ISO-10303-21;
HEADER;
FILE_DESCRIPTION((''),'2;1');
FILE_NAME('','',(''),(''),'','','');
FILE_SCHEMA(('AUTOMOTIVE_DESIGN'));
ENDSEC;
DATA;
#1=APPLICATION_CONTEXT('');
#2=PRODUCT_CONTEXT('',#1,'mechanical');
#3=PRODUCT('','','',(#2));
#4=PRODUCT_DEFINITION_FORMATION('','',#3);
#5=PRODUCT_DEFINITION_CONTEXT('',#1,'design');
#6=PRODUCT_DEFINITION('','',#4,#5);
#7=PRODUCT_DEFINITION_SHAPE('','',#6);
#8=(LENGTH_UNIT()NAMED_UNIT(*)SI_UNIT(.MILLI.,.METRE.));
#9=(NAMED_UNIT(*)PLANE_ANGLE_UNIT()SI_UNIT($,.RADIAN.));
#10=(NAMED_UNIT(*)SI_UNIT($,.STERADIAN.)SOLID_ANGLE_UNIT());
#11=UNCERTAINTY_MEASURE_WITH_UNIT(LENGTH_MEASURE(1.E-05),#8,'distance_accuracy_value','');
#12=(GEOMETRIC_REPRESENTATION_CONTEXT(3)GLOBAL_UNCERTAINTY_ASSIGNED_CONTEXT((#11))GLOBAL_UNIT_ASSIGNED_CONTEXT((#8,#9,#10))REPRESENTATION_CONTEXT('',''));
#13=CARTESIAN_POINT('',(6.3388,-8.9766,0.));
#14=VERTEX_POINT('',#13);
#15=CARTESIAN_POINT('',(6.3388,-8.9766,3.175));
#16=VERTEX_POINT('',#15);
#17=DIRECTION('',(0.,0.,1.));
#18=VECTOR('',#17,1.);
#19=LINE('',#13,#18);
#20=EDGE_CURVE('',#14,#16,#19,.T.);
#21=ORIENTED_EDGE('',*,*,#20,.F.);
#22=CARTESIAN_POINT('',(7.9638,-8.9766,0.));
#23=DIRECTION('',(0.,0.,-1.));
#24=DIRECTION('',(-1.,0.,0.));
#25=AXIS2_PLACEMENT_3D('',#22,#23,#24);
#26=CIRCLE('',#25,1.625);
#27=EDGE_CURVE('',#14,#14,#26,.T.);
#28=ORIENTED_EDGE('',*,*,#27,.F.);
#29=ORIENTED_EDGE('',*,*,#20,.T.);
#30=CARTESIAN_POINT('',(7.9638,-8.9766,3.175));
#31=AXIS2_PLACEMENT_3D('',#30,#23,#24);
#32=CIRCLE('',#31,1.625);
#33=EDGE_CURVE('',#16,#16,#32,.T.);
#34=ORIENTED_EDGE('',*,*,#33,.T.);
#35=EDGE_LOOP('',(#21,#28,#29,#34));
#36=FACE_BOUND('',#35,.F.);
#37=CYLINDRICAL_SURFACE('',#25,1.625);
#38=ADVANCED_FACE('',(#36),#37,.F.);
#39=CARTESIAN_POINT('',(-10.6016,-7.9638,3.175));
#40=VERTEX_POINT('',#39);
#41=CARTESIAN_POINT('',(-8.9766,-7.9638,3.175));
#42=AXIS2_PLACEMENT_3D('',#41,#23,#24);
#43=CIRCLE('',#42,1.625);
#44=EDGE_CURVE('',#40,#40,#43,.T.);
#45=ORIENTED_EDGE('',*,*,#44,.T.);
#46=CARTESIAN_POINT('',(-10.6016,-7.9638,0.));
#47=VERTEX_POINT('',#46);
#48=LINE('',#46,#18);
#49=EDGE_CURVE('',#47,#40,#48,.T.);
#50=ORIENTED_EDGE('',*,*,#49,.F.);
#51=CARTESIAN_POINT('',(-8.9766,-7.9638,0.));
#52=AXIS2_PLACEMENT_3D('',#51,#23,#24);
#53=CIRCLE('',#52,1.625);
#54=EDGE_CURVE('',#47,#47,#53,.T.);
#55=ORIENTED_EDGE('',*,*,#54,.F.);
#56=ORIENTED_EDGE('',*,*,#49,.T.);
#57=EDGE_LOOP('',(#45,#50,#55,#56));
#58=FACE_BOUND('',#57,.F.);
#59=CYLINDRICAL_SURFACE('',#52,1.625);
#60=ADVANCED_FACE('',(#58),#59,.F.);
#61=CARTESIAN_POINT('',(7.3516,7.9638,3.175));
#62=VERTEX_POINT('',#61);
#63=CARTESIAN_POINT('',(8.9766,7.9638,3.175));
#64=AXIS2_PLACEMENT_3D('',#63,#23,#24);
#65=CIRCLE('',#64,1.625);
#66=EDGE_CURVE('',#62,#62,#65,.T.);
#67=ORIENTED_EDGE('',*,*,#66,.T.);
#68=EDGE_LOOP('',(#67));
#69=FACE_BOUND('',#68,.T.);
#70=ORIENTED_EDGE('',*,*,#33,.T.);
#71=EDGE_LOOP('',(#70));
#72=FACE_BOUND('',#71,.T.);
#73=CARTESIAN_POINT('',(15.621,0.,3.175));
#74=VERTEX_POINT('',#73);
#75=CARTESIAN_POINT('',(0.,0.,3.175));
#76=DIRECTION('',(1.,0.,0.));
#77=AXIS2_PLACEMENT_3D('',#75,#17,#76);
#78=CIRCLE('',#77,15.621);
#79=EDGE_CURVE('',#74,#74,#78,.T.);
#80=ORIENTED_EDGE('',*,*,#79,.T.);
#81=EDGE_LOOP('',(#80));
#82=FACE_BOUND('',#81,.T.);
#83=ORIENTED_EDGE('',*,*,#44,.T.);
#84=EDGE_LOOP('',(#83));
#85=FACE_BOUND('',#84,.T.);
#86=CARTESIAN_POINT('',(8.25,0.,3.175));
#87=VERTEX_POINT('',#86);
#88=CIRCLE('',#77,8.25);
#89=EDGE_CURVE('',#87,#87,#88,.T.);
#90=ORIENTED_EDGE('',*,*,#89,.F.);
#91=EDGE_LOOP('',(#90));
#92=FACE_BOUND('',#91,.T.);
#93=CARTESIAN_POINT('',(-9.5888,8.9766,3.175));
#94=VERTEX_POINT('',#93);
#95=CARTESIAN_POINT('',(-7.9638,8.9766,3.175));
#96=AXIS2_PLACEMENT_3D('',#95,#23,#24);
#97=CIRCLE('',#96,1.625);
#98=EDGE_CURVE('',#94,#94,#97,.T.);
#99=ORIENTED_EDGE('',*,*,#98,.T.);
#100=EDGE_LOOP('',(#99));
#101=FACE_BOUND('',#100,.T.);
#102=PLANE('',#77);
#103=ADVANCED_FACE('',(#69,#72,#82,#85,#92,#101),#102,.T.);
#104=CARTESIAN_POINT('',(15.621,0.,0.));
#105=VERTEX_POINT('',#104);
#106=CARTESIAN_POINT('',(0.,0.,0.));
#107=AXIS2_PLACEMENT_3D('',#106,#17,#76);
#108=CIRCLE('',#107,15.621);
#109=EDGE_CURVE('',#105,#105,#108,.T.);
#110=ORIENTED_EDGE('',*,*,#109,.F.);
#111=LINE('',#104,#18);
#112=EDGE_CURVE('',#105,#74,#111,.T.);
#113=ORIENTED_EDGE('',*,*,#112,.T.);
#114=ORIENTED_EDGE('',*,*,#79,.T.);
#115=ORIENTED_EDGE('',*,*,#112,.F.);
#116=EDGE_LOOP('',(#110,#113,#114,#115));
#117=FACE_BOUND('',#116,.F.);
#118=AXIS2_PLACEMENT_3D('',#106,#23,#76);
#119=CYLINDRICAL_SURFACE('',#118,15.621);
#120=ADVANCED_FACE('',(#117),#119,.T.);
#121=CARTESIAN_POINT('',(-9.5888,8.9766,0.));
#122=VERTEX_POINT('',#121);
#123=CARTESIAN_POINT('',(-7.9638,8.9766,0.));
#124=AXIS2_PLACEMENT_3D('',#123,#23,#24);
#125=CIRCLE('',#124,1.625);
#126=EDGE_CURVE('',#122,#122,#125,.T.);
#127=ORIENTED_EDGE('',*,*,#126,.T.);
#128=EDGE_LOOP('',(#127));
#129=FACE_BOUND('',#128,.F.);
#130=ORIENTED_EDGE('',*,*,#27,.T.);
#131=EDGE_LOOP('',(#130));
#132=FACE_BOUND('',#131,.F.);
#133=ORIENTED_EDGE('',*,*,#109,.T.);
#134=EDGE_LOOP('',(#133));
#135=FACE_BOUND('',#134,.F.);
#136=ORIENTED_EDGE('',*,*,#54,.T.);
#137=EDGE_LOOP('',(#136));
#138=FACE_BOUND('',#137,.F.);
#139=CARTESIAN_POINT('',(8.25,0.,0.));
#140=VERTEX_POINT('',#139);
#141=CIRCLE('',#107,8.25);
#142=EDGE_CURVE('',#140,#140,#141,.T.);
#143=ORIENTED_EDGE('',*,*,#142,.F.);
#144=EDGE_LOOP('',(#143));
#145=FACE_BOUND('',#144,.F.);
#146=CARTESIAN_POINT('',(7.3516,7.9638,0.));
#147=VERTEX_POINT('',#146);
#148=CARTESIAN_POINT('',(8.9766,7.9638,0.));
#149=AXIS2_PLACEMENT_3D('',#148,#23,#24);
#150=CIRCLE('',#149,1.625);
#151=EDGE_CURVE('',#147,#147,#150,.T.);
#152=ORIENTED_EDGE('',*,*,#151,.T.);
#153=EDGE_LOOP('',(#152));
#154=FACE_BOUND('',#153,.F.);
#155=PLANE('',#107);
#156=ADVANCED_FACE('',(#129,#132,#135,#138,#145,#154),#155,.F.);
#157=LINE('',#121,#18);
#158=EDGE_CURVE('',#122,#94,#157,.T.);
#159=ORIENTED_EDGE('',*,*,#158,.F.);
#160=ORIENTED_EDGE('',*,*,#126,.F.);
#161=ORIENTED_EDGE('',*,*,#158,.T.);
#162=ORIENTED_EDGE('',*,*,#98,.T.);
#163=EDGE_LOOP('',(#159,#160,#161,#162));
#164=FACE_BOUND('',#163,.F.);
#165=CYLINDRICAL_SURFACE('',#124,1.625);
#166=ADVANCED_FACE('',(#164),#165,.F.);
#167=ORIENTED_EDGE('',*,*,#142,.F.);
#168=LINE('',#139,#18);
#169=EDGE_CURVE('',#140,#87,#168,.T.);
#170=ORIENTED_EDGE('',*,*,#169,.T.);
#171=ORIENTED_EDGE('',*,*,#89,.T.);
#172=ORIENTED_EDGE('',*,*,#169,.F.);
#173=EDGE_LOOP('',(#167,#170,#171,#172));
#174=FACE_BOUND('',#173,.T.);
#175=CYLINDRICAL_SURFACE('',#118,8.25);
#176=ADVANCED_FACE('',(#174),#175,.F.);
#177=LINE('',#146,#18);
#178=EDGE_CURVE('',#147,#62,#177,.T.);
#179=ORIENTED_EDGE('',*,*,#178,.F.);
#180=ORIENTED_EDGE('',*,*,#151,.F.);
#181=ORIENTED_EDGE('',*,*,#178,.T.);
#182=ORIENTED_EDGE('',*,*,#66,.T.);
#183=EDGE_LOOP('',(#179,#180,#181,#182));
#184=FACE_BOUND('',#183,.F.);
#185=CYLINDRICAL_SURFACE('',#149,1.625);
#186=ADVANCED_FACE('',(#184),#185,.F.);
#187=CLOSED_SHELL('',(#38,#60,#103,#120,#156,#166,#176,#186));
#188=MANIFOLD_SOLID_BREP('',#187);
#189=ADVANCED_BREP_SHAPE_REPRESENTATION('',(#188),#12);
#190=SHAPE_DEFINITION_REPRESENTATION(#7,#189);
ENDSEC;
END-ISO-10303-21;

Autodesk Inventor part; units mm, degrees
ref_plane "YZ Plane" through (0, 0, 0) normal (1, 0, 0) x (0, 1, 0)
ref_plane "XZ Plane" through (0, 0, 0) normal (0, 1, 0) x (-1, 0, 0)
ref_plane "XY Plane" through (0, 0, 0) normal (0, 0, 1) x (1, 0, 0)
sketch "Sketch1" plane through (0, 0, 0) normal (0, 0, 1) x (1, 0, 0)
  circle A0 centre (0, 0) radius 8.25
  circle A1 centre (0, 0) radius 15.621
  dimension "d1" = 16.5
  dimension "d2" = 31.242
extrude "Plate1" add sketch "Sketch1" along normal blind 3.175
sketch "Sketch2" plane through (0, 0, 0) normal (0, 0, -1) x (-1, 0, 0)
  circle A0 centre (-7.9638, -8.9766) radius 2 construction
  circle A1 centre (8.9766, -7.9638) radius 2 construction
  circle A2 centre (7.9638, 8.9766) radius 2 construction
  circle A3 centre (-8.9766, 7.9638) radius 2 construction
  circle A4 centre (-8.9766, 7.9638) radius 1.625
  circle A5 centre (7.9638, 8.9766) radius 1.625
  circle A6 centre (8.9766, -7.9638) radius 1.625
  circle A7 centre (-7.9638, -8.9766) radius 1.625
  point P0 (0, 0)
  dimension "d3" = 3.25
extrude "Cut1" cut sketch "Sketch2" against normal blind 3.175
equation "\"d4\" = Thickness"
equation "\"d0\" = Thickness"
equation "\"BendRadius\" = Thickness"
equation "\"BendReliefWidth\" = Thickness"
equation "\"BendReliefDepth\" = 0.5 * Thickness"
equation "\"CornerReliefSize\" = 4 * Thickness"
equation "\"MinimumRemnant\" = 2 * Thickness"
equation "\"TransitionRadius\" = BendRadius"
equation "\"JacobiRadiusSize\" = BendRadius"
equation "\"GapSize\" = Thickness"
equation "\"Thickness\" = 3.175"
properties part number "NeckRingAlign"
